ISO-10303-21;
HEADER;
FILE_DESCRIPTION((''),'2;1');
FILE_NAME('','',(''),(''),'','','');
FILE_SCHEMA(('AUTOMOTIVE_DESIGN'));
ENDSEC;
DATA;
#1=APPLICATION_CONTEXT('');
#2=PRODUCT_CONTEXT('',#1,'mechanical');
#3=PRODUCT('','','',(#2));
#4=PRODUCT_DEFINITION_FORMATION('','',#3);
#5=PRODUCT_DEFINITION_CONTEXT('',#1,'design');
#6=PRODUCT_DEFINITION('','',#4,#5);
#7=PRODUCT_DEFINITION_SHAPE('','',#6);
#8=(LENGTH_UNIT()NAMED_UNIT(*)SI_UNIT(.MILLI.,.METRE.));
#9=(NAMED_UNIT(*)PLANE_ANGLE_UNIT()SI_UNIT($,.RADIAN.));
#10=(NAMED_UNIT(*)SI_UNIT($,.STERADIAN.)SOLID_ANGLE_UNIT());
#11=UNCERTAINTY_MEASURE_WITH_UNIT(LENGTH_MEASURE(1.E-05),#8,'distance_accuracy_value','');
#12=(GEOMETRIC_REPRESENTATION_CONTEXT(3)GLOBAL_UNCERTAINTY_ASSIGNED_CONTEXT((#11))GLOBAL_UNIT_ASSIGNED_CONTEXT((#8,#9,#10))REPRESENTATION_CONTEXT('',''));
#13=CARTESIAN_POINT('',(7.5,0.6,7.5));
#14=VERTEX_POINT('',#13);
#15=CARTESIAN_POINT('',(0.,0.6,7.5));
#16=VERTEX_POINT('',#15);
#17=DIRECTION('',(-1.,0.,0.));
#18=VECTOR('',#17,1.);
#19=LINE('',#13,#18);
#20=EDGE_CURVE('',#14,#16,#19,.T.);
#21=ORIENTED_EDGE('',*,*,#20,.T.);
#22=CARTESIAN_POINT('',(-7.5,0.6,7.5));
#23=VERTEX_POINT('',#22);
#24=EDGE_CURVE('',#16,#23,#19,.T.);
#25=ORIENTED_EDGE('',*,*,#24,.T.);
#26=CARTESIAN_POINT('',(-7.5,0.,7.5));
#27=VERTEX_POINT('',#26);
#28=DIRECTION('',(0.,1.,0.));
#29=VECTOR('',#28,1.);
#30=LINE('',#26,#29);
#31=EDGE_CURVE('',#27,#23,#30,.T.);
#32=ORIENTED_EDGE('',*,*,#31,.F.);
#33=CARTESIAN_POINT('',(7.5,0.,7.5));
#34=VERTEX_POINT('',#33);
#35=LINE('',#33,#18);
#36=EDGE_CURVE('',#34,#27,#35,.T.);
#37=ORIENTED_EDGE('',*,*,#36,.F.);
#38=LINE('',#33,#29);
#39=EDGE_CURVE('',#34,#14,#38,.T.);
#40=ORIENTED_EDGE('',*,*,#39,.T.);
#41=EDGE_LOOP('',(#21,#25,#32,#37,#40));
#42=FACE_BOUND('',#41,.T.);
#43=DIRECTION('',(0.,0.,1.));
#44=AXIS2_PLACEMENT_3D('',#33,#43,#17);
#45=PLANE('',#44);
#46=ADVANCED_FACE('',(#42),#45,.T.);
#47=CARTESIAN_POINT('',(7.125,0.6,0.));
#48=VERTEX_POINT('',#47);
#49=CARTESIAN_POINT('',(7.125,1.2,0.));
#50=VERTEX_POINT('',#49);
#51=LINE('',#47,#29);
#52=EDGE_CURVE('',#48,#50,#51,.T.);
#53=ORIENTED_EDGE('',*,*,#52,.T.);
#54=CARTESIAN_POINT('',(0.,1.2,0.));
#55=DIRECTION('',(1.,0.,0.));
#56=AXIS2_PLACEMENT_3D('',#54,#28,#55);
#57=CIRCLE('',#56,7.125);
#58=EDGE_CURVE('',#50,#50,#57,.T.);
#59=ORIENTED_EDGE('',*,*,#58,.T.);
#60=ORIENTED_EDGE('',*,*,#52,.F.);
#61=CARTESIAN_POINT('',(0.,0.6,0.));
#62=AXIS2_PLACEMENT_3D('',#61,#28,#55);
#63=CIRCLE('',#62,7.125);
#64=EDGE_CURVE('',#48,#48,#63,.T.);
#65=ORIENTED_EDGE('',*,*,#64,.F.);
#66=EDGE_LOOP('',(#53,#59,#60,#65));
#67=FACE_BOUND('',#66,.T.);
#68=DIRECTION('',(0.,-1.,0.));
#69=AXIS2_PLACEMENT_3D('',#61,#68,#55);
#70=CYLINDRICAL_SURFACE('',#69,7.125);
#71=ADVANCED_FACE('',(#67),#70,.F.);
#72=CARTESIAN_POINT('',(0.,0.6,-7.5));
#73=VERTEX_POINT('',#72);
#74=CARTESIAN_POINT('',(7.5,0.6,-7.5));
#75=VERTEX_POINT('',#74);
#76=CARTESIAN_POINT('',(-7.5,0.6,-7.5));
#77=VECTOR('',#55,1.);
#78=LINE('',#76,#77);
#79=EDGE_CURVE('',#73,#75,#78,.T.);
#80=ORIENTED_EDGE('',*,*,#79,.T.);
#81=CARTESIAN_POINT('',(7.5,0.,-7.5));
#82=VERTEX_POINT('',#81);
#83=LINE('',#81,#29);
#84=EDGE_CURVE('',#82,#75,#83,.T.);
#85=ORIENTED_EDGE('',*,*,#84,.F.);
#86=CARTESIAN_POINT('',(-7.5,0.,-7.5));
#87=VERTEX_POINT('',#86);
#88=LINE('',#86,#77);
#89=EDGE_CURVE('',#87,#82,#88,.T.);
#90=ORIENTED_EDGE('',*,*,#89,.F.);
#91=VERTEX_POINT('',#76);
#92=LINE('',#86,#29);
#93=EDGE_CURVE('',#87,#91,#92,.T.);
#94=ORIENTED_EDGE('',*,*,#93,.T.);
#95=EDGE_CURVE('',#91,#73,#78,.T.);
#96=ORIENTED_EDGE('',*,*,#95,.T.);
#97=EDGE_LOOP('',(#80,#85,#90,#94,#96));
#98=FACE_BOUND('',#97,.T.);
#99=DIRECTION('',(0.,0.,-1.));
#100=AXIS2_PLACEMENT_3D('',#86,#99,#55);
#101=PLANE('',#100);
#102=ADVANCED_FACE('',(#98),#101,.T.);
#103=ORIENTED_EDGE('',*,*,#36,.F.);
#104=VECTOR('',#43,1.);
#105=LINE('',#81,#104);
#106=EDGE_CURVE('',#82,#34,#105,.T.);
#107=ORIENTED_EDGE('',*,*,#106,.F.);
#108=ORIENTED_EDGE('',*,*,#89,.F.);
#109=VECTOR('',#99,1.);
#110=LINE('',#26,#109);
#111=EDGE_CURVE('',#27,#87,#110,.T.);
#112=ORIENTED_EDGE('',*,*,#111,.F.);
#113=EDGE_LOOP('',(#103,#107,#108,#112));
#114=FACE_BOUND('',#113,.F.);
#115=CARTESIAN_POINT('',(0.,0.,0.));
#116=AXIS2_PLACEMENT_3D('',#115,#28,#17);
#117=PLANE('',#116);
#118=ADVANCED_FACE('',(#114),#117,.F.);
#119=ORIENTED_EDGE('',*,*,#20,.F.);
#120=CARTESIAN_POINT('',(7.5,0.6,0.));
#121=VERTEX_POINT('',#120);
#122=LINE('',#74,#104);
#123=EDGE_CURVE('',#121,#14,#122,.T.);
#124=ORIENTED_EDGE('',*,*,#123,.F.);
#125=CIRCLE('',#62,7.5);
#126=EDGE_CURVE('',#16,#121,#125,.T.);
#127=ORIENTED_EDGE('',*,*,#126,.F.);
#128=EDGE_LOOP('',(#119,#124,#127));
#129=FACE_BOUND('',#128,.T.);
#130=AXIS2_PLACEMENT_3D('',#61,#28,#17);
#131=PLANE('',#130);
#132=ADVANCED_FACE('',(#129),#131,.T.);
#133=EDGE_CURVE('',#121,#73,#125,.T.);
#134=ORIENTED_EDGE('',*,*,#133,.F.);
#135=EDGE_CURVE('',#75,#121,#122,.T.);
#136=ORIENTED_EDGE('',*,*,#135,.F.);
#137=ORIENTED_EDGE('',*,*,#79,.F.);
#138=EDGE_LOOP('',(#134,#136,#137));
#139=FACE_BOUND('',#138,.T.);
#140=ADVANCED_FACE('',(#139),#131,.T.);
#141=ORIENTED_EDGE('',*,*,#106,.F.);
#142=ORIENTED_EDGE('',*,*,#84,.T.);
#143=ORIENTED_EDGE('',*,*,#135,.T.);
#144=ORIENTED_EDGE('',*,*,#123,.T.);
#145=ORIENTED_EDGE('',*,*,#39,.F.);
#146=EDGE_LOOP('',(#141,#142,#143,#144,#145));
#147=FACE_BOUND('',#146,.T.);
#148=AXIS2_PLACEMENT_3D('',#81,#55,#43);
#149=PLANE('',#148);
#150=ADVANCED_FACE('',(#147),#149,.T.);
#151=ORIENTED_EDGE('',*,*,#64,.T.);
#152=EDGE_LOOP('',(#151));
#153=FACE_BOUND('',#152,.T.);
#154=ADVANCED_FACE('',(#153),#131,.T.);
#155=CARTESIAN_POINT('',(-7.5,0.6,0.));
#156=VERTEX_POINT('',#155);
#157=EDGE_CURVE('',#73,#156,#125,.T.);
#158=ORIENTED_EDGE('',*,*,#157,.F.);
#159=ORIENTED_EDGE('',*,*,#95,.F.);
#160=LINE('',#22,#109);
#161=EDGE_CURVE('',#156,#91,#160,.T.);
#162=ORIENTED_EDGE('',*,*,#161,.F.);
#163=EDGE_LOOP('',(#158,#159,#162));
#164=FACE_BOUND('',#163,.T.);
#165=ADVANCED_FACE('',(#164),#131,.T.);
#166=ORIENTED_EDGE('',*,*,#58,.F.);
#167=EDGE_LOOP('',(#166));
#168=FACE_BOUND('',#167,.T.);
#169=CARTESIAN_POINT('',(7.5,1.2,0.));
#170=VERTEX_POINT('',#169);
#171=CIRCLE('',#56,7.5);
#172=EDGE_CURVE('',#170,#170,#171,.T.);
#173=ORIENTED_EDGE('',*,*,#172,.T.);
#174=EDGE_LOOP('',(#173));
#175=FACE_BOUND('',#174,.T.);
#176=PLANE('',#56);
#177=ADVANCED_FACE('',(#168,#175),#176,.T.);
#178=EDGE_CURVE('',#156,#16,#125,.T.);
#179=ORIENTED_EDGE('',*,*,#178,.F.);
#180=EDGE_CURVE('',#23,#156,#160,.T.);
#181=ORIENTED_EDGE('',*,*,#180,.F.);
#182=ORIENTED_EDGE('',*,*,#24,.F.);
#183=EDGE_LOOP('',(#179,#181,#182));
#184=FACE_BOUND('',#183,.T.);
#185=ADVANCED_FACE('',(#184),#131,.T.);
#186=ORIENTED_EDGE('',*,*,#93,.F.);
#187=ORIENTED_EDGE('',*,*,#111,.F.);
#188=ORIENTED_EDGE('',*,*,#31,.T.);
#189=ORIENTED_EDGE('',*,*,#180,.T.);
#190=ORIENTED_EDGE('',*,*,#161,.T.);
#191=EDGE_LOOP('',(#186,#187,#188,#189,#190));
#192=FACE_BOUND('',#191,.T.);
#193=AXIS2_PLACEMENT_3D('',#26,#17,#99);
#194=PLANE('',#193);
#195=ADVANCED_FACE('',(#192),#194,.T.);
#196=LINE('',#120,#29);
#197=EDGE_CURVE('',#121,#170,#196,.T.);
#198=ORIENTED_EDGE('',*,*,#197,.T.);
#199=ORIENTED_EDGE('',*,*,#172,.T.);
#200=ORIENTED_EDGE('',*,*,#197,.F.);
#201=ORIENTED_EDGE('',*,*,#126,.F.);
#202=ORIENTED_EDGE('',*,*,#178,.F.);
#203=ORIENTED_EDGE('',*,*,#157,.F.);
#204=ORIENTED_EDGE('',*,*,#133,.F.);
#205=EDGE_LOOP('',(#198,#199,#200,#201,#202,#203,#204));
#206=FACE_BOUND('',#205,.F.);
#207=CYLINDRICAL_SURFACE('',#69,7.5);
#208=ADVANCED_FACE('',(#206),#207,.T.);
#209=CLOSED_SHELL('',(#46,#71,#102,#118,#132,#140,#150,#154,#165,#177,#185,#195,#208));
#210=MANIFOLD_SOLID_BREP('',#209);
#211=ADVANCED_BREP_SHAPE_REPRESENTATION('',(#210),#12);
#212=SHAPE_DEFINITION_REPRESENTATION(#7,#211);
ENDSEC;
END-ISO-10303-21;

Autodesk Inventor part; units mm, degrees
ref_plane "YZ Plane" through (0, 0, 0) normal (1, 0, 0) x (0, 1, 0)
ref_plane "XZ Plane" through (0, 0, 0) normal (0, 1, 0) x (-1, 0, 0)
ref_plane "XY Plane" through (0, 0, 0) normal (0, 0, 1) x (1, 0, 0)
sketch "Sketch1" plane through (0, 0, 0) normal (0, 1, 0) x (-1, 0, 0)
  line L0 (7.5, -7.5) -> (-7.5, -7.5)
  line L1 (-7.5, -7.5) -> (-7.5, 7.5)
  line L2 (-7.5, 7.5) -> (7.5, 7.5)
  line L3 (7.5, 7.5) -> (7.5, -7.5)
  line L4 (7.5, -7.5) -> (-7.5, 7.5) construction
  line L5 (-7.5, -7.5) -> (7.5, 7.5) construction
  point P0 (0, 0)
  dimension "d0" = 15
  dimension "d1" = 15
extrude "Extrusion1" add sketch "Sketch1" along normal blind 0.6
sketch "Sketch2" plane through (0, 0.6, 0) normal (0, 1, 0) x (1, 0, 0)
  circle A0 centre (0, 0) radius 7.125
  circle A1 centre (0, 0) radius 7.5
  dimension "d4" = 14.25
  dimension "d5" = 15
extrude "Extrusion2" add sketch "Sketch2" along normal blind 0.6
equation "\"d1\" = d0"
properties part number "dot_antirol"
